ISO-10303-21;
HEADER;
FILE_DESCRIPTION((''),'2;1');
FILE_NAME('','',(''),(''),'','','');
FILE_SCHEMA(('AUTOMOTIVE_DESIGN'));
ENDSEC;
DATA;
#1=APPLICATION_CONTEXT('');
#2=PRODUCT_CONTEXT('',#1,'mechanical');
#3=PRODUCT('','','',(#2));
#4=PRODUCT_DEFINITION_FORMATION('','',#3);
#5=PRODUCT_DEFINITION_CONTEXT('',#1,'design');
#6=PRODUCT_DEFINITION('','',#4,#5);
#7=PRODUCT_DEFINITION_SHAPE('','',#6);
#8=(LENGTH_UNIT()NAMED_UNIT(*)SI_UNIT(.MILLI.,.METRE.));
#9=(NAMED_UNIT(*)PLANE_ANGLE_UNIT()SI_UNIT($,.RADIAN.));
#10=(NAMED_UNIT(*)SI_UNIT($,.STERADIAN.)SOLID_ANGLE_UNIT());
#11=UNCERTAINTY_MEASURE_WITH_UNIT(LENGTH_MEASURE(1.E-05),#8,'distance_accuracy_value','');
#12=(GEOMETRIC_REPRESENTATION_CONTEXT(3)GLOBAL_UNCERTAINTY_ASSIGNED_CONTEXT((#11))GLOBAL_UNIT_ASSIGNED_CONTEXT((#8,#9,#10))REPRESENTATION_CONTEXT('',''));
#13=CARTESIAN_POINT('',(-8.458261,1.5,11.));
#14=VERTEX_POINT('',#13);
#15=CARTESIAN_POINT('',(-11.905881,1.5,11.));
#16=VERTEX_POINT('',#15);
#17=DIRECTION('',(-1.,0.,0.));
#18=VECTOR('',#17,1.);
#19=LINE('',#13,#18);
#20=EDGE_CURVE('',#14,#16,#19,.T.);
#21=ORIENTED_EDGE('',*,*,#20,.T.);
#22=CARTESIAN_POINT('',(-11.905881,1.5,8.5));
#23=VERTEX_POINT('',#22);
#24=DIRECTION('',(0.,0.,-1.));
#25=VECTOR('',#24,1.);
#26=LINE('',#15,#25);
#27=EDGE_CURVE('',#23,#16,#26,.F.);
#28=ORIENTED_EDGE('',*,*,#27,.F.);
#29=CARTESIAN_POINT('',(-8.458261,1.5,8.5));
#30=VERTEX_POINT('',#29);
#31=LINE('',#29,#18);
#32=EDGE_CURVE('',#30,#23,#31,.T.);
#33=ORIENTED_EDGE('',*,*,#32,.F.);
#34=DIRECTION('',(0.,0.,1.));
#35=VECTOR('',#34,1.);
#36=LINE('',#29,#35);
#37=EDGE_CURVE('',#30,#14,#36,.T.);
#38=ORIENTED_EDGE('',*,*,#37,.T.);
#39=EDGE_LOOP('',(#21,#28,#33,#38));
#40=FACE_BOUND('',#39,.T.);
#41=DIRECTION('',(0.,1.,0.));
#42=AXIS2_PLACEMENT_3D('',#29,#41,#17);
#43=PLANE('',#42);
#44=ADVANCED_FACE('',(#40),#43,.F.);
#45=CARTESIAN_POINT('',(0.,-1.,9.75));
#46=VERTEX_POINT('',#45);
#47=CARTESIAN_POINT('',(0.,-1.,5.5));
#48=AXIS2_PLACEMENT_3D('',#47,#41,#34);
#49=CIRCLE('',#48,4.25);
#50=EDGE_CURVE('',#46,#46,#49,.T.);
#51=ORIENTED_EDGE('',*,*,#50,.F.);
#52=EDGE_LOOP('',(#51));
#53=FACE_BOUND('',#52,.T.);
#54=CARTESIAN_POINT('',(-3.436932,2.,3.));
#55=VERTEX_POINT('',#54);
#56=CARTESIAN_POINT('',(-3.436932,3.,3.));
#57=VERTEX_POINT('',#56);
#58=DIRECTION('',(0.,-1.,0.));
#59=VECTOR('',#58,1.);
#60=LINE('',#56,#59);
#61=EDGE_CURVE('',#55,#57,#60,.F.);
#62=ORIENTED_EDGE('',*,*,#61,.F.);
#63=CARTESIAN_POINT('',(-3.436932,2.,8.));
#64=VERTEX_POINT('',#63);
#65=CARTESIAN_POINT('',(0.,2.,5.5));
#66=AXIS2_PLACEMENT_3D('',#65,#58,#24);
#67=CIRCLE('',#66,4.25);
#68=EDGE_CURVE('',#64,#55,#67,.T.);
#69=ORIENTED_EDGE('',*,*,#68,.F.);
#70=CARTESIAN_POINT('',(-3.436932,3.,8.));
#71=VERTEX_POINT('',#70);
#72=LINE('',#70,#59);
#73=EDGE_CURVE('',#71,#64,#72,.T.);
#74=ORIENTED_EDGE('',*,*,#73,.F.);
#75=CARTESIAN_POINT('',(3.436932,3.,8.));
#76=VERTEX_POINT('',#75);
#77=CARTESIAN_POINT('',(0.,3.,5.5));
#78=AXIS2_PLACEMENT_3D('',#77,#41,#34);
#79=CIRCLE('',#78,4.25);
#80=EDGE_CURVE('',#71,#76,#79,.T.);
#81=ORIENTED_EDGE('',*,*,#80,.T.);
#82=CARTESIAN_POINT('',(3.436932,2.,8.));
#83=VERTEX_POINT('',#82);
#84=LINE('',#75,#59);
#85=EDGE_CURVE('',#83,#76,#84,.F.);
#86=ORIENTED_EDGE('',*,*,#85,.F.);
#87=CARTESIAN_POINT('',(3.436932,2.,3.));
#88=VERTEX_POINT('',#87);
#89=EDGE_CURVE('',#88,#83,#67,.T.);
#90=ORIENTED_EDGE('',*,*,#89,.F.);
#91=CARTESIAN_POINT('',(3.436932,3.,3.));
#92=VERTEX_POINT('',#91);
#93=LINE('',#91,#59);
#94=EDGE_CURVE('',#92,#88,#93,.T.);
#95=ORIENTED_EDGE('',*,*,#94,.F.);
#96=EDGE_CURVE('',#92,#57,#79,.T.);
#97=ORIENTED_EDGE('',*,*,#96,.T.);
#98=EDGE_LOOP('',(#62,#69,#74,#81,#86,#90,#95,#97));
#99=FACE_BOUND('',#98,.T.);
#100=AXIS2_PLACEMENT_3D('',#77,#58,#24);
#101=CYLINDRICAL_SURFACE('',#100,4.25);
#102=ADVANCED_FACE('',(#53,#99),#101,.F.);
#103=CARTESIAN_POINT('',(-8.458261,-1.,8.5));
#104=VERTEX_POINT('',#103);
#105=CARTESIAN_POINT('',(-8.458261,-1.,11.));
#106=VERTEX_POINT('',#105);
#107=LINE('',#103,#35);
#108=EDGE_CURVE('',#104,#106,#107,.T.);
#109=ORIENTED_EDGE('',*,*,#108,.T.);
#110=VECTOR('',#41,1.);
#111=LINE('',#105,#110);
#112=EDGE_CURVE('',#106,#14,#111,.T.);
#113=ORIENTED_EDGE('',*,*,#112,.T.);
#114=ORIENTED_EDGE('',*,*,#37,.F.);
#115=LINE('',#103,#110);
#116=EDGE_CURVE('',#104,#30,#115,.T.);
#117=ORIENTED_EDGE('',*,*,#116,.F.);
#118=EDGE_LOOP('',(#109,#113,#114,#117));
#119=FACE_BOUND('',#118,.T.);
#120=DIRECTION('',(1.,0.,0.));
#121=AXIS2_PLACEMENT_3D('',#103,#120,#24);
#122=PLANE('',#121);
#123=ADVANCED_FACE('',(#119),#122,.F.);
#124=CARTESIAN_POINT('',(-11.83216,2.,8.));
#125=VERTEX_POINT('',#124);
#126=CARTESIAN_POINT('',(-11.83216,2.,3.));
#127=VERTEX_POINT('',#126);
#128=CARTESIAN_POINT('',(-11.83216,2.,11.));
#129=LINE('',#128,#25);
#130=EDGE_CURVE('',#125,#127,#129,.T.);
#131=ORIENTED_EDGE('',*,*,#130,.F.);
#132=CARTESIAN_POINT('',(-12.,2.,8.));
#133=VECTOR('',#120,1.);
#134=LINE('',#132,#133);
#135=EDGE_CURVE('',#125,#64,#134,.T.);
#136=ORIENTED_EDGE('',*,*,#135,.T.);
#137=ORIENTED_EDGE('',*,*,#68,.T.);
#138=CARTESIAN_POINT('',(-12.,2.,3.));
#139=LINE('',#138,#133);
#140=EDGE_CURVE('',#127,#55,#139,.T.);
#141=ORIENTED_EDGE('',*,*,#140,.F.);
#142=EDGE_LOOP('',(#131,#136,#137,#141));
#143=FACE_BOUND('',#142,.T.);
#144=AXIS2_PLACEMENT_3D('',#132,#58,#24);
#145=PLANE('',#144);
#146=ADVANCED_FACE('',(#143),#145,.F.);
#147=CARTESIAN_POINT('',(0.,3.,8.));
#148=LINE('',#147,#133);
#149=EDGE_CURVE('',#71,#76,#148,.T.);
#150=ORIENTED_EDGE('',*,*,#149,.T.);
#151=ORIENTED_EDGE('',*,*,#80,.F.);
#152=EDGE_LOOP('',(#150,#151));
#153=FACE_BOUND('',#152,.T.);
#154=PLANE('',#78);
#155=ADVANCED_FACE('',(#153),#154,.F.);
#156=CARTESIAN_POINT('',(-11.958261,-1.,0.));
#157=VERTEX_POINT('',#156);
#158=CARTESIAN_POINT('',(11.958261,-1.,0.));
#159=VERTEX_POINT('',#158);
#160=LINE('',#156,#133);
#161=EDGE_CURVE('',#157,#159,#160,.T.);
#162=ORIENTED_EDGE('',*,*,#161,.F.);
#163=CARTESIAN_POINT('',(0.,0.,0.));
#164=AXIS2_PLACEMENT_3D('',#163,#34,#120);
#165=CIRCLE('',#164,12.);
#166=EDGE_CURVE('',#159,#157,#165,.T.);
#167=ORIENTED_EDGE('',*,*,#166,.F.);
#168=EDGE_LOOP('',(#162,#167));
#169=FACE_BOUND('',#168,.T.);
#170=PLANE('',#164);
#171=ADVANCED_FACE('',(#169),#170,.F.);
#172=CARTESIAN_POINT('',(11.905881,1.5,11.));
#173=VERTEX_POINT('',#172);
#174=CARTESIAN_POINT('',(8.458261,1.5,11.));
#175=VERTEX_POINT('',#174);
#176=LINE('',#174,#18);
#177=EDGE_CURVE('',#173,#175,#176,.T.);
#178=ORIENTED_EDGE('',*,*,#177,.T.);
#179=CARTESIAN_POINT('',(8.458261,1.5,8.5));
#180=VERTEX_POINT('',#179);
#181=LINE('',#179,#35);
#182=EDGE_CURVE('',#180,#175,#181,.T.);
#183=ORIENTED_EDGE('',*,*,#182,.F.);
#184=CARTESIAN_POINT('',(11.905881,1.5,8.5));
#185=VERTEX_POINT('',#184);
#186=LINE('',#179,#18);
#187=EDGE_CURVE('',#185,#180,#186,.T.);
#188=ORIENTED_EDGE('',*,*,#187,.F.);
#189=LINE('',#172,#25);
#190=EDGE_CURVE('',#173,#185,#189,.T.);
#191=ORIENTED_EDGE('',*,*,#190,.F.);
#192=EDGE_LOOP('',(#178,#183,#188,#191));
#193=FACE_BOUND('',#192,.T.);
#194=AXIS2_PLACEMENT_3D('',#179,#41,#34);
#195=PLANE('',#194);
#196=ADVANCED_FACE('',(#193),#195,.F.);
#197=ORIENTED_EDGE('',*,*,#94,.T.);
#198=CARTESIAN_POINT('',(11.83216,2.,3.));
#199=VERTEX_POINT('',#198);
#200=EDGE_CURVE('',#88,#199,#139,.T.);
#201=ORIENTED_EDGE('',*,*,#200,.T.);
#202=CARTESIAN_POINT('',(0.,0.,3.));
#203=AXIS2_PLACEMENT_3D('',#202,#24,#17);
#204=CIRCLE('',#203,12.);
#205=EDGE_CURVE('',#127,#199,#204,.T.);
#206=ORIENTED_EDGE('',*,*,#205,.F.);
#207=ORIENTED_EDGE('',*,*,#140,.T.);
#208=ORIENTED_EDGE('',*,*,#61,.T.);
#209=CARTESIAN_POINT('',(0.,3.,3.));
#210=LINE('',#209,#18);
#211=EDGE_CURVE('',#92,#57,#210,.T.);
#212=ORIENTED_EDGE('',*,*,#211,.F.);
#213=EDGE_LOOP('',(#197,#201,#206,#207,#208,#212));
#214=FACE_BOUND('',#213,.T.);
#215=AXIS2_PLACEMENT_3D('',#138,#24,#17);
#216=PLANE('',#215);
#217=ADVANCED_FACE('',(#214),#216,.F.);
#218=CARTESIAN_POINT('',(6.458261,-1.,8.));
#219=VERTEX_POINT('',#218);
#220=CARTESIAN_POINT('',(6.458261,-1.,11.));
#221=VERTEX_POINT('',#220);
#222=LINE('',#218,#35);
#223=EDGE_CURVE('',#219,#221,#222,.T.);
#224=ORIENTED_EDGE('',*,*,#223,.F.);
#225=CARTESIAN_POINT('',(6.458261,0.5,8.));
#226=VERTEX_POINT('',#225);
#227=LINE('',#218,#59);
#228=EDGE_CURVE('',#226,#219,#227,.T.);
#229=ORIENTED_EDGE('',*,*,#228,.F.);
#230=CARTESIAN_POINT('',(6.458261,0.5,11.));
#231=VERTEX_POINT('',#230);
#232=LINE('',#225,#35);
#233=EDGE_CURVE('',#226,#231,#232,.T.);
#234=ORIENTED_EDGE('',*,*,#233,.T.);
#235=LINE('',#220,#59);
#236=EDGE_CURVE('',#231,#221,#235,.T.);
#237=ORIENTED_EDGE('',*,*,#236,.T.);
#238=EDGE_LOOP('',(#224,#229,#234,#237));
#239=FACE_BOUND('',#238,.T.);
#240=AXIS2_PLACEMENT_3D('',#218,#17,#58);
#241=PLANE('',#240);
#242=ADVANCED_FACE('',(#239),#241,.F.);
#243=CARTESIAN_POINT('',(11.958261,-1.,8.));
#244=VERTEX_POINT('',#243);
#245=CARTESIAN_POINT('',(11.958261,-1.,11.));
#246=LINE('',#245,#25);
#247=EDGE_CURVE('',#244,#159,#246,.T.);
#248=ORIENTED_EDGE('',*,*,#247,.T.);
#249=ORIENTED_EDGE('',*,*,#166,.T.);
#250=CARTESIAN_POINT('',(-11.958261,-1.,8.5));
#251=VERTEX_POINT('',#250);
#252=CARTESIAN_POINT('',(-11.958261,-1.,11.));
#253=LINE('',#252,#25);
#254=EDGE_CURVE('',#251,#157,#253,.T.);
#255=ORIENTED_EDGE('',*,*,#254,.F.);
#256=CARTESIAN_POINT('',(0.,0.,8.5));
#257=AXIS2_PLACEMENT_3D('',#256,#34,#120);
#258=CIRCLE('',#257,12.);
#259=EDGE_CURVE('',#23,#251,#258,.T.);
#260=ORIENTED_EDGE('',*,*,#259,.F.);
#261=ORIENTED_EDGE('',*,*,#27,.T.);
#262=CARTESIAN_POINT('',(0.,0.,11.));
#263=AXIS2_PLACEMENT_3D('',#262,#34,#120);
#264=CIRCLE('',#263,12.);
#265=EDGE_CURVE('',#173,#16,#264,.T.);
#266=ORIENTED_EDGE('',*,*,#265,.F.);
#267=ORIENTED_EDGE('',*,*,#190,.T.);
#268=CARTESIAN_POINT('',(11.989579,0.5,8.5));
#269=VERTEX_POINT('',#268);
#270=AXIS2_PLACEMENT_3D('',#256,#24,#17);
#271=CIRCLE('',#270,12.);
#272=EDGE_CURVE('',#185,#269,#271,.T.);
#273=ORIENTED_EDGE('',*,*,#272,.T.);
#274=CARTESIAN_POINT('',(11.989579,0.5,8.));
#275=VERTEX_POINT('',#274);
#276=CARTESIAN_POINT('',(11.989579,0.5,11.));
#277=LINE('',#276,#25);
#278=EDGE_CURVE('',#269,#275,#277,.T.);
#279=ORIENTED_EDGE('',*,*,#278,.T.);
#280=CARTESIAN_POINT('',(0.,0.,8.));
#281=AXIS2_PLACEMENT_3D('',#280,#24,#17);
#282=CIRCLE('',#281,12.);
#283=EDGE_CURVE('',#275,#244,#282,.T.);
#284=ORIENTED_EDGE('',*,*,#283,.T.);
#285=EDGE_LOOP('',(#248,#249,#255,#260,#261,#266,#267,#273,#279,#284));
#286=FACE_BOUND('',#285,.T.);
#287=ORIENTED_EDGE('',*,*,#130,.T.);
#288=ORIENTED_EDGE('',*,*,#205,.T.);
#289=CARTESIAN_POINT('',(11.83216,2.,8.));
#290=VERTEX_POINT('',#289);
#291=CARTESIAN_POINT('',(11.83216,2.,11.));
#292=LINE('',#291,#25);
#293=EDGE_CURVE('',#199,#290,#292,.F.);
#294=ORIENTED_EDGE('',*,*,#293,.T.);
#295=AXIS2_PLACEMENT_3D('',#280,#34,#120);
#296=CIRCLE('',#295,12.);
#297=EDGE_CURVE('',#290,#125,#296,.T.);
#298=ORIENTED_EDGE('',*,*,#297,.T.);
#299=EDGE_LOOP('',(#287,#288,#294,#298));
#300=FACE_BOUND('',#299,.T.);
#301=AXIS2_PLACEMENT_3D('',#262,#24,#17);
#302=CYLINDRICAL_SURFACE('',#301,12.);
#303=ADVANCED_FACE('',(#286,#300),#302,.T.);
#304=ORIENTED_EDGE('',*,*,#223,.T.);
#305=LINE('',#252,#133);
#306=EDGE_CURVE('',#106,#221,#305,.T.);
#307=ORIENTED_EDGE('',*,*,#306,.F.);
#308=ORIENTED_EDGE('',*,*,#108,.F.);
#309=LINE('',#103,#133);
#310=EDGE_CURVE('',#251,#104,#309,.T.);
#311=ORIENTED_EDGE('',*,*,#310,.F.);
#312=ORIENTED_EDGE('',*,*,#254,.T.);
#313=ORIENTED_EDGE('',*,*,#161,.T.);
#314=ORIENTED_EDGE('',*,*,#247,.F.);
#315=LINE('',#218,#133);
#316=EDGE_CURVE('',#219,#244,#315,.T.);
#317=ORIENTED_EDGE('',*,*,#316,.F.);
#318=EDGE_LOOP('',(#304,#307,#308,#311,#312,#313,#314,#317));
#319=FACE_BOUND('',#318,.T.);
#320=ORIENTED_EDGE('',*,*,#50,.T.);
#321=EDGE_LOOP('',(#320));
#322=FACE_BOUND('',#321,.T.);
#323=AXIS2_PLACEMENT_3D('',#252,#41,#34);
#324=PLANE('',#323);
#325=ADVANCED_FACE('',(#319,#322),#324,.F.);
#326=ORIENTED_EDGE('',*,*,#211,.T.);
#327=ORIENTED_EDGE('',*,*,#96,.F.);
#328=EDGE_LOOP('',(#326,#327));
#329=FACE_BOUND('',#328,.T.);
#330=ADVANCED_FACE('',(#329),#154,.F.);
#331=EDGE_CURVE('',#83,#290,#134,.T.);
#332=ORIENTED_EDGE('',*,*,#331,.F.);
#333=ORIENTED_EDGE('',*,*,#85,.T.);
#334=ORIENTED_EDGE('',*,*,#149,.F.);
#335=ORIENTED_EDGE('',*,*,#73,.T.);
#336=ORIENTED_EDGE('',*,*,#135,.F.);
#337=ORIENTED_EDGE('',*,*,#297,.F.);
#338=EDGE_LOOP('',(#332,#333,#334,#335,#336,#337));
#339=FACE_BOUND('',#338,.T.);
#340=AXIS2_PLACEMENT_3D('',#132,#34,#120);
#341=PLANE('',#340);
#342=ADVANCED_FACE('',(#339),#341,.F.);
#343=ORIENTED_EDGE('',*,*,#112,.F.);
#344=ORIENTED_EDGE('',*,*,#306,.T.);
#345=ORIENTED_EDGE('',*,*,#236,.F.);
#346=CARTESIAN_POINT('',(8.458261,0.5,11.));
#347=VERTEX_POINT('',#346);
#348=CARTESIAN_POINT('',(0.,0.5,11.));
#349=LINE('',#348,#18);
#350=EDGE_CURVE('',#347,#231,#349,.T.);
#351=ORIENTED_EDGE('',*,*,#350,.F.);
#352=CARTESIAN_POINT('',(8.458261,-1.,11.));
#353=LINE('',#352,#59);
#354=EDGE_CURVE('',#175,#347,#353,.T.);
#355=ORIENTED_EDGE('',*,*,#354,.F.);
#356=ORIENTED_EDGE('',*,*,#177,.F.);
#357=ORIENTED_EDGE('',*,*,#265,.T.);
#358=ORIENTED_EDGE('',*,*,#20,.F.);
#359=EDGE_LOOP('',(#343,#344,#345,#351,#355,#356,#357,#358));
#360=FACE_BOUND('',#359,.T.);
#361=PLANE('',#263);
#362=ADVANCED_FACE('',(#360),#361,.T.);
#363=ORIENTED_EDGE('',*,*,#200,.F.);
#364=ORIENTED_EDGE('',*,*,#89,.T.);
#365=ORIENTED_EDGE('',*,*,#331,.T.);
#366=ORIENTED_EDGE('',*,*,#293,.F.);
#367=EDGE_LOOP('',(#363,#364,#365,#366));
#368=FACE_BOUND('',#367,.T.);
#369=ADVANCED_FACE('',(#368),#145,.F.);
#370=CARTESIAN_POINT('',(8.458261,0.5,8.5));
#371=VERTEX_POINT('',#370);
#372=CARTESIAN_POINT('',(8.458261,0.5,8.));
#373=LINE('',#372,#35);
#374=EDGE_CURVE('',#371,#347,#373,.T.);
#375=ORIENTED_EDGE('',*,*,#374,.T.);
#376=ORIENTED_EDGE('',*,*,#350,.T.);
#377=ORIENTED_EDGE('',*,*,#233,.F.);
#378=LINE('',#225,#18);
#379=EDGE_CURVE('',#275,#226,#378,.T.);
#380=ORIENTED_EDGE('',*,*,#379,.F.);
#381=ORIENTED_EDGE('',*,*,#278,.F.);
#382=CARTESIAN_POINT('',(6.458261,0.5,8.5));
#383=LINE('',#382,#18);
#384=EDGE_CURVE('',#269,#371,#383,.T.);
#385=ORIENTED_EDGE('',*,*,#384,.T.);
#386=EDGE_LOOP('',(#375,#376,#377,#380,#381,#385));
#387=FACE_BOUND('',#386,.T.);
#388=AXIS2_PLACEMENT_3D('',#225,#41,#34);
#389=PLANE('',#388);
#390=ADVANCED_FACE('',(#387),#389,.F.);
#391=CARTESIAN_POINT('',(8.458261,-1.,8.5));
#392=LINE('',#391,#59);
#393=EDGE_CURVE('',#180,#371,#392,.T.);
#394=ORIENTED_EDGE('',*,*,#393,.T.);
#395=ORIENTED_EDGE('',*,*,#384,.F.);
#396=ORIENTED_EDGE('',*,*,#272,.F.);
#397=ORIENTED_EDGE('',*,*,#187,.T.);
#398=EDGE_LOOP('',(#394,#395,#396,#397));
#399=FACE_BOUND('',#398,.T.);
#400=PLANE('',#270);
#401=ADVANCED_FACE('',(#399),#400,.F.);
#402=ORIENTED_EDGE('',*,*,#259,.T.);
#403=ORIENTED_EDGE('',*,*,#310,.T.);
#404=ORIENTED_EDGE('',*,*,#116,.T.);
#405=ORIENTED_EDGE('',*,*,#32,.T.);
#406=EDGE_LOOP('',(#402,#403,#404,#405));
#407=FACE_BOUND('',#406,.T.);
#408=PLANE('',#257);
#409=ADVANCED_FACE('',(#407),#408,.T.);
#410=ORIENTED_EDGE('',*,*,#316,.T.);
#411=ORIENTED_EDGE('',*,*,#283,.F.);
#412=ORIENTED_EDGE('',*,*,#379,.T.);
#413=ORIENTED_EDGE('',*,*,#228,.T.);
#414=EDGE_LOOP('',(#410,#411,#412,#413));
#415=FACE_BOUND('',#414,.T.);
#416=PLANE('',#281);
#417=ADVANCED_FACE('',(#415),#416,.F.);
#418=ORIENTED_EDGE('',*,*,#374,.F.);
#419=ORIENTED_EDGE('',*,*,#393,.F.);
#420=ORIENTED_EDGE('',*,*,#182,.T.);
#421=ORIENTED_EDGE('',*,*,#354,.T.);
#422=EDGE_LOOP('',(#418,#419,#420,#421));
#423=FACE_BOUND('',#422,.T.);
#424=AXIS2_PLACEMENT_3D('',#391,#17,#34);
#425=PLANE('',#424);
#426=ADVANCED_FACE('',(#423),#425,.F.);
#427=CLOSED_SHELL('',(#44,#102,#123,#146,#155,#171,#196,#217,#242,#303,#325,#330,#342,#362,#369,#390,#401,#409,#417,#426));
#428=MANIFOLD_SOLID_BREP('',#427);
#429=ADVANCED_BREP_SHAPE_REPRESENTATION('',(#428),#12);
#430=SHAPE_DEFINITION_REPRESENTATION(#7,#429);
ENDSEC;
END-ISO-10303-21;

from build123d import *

# Parameters (mm, degrees)
BOSS_EXTRUDE1_DEPTH     = 11
CUT_EXTRUDE1_START      = 3
SKETCH2_R               = 4.25
CUT_EXTRUDE1_DEPTH      = 4
SKETCH3_W               = 5
SKETCH3_H               = 13.464597237
CUT_EXTRUDE2_DEPTH      = 13
CUT_EXTRUDE2_DEPTH_BACK = 13
SKETCH4_W               = 7.273345506
SKETCH4_H               = 1.5
CUT_EXTRUDE3_DEPTH      = 3
SKETCH5_W               = 4.264362618
SKETCH5_H               = 2.5
CUT_EXTRUDE4_DEPTH      = 2.5
SKETCH6_W               = 5.237267166
SKETCH6_H               = 2.5
CUT_EXTRUDE5_DEPTH      = 2.5


with BuildPart() as part:
    # Sketch1 → Boss-Extrude1 (new body)
    with BuildSketch(Plane.XY):
        with BuildLine():
            Line((-11.958260743, -1), (11.958260743, -1))
            ThreePointArc((11.958260743, -1), (0, 12), (-11.958260743, -1))
        make_face()
    extrude(amount=BOSS_EXTRUDE1_DEPTH)

    # Sketch2 → Cut-Extrude1 (cut)
    with BuildSketch(Plane.XZ.offset(-2).offset(CUT_EXTRUDE1_START)):
        with Locations((0, 5.5)):
            Circle(SKETCH2_R)
    extrude(amount=-CUT_EXTRUDE1_DEPTH, mode=Mode.SUBTRACT)

    # Sketch3 → Cut-Extrude2 (cut, two sides)
    with BuildSketch(Plane(origin=(0, 0, 0), x_dir=(0, 0, -1), z_dir=(1, 0, 0))) as cut_extrude2_sk:
        with Locations((-5.5, 8.732298618)):
            Rectangle(SKETCH3_W, SKETCH3_H)
    extrude(amount=CUT_EXTRUDE2_DEPTH, mode=Mode.SUBTRACT)
    extrude(cut_extrude2_sk.sketch, amount=-CUT_EXTRUDE2_DEPTH_BACK, mode=Mode.SUBTRACT)

    # Sketch4 → Cut-Extrude3 (cut)
    with BuildSketch(Plane.XY.offset(11)):
        with Locations((10.094933496, -0.25)):
            Rectangle(SKETCH4_W, SKETCH4_H)
    extrude(amount=-CUT_EXTRUDE3_DEPTH, mode=Mode.SUBTRACT)

    # Sketch5 → Cut-Extrude4 (cut)
    with BuildSketch(Plane.XY.offset(11)):
        with Locations((-10.590442052, 0.25)):
            Rectangle(SKETCH5_W, SKETCH5_H)
    extrude(amount=-CUT_EXTRUDE4_DEPTH, mode=Mode.SUBTRACT)

    # Sketch6 → Cut-Extrude5 (cut)
    with BuildSketch(Plane.XY.offset(11)):
        with Locations((11.076894326, 0.25)):
            Rectangle(SKETCH6_W, SKETCH6_H)
    extrude(amount=-CUT_EXTRUDE5_DEPTH, mode=Mode.SUBTRACT)


solid = part.part
